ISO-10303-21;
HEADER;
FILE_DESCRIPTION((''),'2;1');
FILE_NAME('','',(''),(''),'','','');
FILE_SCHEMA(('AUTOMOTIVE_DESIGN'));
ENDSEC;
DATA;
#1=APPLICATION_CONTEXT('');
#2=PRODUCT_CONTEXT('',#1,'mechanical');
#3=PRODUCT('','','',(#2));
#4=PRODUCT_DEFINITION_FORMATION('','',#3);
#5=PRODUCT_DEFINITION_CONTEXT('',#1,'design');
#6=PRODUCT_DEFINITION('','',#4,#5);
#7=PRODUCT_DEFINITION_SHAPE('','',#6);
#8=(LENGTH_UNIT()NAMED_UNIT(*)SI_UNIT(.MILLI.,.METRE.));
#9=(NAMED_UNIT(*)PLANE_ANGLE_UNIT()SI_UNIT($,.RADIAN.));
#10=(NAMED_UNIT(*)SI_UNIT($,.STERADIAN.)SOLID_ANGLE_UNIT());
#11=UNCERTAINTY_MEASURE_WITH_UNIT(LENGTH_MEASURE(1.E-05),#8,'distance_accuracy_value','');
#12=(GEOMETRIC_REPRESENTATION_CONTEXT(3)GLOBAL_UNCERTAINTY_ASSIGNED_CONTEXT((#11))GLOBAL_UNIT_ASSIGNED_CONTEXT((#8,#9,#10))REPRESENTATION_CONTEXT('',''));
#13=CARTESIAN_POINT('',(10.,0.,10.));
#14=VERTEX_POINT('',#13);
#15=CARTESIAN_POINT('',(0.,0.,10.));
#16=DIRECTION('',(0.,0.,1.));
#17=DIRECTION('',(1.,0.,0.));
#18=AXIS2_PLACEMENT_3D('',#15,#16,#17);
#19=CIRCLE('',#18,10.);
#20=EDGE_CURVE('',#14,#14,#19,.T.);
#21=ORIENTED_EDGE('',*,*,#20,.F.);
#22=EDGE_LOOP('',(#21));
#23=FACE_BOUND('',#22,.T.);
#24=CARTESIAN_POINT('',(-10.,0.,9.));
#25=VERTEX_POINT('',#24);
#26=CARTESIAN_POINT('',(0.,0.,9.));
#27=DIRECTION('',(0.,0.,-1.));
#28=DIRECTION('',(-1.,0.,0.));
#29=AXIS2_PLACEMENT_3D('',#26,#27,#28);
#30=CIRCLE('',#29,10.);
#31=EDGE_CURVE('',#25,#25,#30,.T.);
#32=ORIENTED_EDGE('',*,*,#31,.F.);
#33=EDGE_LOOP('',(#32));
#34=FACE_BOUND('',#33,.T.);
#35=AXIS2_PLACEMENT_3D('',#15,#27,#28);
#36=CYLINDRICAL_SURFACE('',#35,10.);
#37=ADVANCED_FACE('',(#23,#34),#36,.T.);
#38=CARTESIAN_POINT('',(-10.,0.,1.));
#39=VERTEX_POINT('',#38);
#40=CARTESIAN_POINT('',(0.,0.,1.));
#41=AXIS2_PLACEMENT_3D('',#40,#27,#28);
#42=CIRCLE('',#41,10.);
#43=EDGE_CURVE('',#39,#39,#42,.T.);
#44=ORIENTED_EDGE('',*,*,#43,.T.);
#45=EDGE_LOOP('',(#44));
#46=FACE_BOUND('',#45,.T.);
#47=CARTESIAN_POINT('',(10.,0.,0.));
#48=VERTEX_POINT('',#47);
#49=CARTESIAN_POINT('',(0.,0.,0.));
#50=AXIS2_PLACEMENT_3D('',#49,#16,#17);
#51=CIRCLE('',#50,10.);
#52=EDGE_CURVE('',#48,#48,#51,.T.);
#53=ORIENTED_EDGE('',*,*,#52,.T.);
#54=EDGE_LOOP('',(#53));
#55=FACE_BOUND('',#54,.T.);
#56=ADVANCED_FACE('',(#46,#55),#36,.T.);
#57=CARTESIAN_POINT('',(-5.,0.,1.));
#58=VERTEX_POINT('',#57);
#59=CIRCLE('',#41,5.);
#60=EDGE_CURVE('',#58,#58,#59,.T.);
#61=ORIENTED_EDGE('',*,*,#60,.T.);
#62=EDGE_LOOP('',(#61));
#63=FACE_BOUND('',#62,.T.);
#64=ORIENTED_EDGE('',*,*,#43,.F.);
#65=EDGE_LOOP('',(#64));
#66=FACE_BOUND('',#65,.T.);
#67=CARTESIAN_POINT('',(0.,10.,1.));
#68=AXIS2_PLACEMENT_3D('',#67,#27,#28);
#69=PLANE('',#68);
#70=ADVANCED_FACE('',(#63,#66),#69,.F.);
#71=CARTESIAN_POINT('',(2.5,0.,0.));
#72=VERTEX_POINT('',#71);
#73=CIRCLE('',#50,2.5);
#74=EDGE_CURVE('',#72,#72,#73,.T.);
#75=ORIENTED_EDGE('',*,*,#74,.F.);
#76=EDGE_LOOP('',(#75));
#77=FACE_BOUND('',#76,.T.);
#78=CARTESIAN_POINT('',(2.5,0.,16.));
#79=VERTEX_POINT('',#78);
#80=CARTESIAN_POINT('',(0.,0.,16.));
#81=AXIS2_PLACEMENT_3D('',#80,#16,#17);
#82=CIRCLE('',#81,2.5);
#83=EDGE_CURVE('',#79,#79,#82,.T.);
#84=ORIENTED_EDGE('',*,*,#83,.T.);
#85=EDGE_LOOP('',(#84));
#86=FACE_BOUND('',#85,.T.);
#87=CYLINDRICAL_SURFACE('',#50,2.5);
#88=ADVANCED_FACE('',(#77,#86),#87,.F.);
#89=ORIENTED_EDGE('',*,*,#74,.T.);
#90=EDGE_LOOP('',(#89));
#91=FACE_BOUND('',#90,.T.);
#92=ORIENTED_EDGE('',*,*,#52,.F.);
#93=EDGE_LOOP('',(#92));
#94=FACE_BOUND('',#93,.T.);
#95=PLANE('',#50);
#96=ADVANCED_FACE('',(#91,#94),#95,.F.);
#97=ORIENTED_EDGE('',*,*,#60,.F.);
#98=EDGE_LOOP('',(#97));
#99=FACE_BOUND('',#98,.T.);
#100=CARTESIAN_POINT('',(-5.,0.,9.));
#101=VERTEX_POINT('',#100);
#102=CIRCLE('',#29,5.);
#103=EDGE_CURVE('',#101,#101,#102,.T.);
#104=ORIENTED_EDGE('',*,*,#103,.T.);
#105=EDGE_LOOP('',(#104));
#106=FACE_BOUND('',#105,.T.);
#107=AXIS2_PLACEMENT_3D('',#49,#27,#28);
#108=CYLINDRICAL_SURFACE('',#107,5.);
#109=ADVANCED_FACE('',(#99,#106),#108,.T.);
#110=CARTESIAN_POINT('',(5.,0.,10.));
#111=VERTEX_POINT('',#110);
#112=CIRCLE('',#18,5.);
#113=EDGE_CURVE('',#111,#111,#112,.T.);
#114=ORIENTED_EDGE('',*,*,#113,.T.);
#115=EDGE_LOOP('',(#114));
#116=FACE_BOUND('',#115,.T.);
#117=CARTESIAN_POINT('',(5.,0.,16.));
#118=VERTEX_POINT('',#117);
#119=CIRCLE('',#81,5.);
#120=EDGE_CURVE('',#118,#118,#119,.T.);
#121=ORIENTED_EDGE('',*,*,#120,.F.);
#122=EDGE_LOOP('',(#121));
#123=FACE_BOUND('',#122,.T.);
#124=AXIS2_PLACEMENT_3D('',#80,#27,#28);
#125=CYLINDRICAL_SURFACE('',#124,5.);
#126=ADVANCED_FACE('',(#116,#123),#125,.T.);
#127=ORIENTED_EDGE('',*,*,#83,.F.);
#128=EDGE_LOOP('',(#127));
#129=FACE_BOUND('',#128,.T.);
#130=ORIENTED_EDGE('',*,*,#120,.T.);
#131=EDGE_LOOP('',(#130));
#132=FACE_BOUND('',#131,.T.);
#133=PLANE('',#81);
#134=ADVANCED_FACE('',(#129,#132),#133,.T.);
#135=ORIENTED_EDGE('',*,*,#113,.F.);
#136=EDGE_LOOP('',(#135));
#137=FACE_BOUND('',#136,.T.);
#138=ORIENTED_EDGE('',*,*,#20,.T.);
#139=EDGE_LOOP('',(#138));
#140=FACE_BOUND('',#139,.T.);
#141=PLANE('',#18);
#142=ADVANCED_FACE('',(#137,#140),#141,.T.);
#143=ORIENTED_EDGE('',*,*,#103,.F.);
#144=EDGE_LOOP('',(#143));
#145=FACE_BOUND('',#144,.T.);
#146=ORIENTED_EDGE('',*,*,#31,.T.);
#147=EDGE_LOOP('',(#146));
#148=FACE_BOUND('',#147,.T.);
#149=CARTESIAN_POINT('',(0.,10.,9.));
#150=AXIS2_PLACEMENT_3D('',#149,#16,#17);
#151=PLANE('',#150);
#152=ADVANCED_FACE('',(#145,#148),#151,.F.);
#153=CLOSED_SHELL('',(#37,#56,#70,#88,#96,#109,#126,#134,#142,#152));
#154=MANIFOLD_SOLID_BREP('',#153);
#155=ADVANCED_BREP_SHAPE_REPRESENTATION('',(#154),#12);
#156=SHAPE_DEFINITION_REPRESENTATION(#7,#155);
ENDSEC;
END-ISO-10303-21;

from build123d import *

# Parameters (mm, degrees)
ESQUISSE1_R             = 10
BOSS_EXTRU_1_DEPTH      = 10
ESQUISSE2_R             = 5
BOSS_EXTRU_2_DEPTH      = 6
ESQUISSE3_R             = 2.5
ENL_V_MAT_EXTRU_1_DEPTH = 22.354156504
ESQUISSE4_W             = 8
ESQUISSE4_H             = 5


with BuildPart() as part:
    # Esquisse1 → Boss.-Extru.1 (new body)
    with BuildSketch(Plane.XY):
        Circle(ESQUISSE1_R)
    extrude(amount=BOSS_EXTRU_1_DEPTH)

    # Esquisse2 → Boss.-Extru.2 (add)
    with BuildSketch(Plane.XY.offset(10)):
        Circle(ESQUISSE2_R)
    extrude(amount=BOSS_EXTRU_2_DEPTH)

    # Esquisse3 → Enlèv. mat.-Extru.1 (cut, through all)
    with BuildSketch(Plane.XY.offset(16)):
        Circle(ESQUISSE3_R)
    extrude(amount=-ENL_V_MAT_EXTRU_1_DEPTH, mode=Mode.SUBTRACT)

    # Esquisse4 → Enlèvement de matière-Révolution1 (revolve, cut)
    with BuildSketch(Plane(origin=(0, 0, 0), x_dir=(0, 0, -1), z_dir=(1, 0, 0)), mode=Mode.PRIVATE) as enl_vement_de_mati_re_r_volution1_sk:
        with Locations((-5, 7.5)):
            Rectangle(ESQUISSE4_W, ESQUISSE4_H)
    revolve(enl_vement_de_mati_re_r_volution1_sk.sketch.rotate(Axis((0, 0, 0), (0, 0, 1)), 90), axis=Axis((0, 0, 0), (0, 0, 1)), mode=Mode.SUBTRACT)


solid = part.part
